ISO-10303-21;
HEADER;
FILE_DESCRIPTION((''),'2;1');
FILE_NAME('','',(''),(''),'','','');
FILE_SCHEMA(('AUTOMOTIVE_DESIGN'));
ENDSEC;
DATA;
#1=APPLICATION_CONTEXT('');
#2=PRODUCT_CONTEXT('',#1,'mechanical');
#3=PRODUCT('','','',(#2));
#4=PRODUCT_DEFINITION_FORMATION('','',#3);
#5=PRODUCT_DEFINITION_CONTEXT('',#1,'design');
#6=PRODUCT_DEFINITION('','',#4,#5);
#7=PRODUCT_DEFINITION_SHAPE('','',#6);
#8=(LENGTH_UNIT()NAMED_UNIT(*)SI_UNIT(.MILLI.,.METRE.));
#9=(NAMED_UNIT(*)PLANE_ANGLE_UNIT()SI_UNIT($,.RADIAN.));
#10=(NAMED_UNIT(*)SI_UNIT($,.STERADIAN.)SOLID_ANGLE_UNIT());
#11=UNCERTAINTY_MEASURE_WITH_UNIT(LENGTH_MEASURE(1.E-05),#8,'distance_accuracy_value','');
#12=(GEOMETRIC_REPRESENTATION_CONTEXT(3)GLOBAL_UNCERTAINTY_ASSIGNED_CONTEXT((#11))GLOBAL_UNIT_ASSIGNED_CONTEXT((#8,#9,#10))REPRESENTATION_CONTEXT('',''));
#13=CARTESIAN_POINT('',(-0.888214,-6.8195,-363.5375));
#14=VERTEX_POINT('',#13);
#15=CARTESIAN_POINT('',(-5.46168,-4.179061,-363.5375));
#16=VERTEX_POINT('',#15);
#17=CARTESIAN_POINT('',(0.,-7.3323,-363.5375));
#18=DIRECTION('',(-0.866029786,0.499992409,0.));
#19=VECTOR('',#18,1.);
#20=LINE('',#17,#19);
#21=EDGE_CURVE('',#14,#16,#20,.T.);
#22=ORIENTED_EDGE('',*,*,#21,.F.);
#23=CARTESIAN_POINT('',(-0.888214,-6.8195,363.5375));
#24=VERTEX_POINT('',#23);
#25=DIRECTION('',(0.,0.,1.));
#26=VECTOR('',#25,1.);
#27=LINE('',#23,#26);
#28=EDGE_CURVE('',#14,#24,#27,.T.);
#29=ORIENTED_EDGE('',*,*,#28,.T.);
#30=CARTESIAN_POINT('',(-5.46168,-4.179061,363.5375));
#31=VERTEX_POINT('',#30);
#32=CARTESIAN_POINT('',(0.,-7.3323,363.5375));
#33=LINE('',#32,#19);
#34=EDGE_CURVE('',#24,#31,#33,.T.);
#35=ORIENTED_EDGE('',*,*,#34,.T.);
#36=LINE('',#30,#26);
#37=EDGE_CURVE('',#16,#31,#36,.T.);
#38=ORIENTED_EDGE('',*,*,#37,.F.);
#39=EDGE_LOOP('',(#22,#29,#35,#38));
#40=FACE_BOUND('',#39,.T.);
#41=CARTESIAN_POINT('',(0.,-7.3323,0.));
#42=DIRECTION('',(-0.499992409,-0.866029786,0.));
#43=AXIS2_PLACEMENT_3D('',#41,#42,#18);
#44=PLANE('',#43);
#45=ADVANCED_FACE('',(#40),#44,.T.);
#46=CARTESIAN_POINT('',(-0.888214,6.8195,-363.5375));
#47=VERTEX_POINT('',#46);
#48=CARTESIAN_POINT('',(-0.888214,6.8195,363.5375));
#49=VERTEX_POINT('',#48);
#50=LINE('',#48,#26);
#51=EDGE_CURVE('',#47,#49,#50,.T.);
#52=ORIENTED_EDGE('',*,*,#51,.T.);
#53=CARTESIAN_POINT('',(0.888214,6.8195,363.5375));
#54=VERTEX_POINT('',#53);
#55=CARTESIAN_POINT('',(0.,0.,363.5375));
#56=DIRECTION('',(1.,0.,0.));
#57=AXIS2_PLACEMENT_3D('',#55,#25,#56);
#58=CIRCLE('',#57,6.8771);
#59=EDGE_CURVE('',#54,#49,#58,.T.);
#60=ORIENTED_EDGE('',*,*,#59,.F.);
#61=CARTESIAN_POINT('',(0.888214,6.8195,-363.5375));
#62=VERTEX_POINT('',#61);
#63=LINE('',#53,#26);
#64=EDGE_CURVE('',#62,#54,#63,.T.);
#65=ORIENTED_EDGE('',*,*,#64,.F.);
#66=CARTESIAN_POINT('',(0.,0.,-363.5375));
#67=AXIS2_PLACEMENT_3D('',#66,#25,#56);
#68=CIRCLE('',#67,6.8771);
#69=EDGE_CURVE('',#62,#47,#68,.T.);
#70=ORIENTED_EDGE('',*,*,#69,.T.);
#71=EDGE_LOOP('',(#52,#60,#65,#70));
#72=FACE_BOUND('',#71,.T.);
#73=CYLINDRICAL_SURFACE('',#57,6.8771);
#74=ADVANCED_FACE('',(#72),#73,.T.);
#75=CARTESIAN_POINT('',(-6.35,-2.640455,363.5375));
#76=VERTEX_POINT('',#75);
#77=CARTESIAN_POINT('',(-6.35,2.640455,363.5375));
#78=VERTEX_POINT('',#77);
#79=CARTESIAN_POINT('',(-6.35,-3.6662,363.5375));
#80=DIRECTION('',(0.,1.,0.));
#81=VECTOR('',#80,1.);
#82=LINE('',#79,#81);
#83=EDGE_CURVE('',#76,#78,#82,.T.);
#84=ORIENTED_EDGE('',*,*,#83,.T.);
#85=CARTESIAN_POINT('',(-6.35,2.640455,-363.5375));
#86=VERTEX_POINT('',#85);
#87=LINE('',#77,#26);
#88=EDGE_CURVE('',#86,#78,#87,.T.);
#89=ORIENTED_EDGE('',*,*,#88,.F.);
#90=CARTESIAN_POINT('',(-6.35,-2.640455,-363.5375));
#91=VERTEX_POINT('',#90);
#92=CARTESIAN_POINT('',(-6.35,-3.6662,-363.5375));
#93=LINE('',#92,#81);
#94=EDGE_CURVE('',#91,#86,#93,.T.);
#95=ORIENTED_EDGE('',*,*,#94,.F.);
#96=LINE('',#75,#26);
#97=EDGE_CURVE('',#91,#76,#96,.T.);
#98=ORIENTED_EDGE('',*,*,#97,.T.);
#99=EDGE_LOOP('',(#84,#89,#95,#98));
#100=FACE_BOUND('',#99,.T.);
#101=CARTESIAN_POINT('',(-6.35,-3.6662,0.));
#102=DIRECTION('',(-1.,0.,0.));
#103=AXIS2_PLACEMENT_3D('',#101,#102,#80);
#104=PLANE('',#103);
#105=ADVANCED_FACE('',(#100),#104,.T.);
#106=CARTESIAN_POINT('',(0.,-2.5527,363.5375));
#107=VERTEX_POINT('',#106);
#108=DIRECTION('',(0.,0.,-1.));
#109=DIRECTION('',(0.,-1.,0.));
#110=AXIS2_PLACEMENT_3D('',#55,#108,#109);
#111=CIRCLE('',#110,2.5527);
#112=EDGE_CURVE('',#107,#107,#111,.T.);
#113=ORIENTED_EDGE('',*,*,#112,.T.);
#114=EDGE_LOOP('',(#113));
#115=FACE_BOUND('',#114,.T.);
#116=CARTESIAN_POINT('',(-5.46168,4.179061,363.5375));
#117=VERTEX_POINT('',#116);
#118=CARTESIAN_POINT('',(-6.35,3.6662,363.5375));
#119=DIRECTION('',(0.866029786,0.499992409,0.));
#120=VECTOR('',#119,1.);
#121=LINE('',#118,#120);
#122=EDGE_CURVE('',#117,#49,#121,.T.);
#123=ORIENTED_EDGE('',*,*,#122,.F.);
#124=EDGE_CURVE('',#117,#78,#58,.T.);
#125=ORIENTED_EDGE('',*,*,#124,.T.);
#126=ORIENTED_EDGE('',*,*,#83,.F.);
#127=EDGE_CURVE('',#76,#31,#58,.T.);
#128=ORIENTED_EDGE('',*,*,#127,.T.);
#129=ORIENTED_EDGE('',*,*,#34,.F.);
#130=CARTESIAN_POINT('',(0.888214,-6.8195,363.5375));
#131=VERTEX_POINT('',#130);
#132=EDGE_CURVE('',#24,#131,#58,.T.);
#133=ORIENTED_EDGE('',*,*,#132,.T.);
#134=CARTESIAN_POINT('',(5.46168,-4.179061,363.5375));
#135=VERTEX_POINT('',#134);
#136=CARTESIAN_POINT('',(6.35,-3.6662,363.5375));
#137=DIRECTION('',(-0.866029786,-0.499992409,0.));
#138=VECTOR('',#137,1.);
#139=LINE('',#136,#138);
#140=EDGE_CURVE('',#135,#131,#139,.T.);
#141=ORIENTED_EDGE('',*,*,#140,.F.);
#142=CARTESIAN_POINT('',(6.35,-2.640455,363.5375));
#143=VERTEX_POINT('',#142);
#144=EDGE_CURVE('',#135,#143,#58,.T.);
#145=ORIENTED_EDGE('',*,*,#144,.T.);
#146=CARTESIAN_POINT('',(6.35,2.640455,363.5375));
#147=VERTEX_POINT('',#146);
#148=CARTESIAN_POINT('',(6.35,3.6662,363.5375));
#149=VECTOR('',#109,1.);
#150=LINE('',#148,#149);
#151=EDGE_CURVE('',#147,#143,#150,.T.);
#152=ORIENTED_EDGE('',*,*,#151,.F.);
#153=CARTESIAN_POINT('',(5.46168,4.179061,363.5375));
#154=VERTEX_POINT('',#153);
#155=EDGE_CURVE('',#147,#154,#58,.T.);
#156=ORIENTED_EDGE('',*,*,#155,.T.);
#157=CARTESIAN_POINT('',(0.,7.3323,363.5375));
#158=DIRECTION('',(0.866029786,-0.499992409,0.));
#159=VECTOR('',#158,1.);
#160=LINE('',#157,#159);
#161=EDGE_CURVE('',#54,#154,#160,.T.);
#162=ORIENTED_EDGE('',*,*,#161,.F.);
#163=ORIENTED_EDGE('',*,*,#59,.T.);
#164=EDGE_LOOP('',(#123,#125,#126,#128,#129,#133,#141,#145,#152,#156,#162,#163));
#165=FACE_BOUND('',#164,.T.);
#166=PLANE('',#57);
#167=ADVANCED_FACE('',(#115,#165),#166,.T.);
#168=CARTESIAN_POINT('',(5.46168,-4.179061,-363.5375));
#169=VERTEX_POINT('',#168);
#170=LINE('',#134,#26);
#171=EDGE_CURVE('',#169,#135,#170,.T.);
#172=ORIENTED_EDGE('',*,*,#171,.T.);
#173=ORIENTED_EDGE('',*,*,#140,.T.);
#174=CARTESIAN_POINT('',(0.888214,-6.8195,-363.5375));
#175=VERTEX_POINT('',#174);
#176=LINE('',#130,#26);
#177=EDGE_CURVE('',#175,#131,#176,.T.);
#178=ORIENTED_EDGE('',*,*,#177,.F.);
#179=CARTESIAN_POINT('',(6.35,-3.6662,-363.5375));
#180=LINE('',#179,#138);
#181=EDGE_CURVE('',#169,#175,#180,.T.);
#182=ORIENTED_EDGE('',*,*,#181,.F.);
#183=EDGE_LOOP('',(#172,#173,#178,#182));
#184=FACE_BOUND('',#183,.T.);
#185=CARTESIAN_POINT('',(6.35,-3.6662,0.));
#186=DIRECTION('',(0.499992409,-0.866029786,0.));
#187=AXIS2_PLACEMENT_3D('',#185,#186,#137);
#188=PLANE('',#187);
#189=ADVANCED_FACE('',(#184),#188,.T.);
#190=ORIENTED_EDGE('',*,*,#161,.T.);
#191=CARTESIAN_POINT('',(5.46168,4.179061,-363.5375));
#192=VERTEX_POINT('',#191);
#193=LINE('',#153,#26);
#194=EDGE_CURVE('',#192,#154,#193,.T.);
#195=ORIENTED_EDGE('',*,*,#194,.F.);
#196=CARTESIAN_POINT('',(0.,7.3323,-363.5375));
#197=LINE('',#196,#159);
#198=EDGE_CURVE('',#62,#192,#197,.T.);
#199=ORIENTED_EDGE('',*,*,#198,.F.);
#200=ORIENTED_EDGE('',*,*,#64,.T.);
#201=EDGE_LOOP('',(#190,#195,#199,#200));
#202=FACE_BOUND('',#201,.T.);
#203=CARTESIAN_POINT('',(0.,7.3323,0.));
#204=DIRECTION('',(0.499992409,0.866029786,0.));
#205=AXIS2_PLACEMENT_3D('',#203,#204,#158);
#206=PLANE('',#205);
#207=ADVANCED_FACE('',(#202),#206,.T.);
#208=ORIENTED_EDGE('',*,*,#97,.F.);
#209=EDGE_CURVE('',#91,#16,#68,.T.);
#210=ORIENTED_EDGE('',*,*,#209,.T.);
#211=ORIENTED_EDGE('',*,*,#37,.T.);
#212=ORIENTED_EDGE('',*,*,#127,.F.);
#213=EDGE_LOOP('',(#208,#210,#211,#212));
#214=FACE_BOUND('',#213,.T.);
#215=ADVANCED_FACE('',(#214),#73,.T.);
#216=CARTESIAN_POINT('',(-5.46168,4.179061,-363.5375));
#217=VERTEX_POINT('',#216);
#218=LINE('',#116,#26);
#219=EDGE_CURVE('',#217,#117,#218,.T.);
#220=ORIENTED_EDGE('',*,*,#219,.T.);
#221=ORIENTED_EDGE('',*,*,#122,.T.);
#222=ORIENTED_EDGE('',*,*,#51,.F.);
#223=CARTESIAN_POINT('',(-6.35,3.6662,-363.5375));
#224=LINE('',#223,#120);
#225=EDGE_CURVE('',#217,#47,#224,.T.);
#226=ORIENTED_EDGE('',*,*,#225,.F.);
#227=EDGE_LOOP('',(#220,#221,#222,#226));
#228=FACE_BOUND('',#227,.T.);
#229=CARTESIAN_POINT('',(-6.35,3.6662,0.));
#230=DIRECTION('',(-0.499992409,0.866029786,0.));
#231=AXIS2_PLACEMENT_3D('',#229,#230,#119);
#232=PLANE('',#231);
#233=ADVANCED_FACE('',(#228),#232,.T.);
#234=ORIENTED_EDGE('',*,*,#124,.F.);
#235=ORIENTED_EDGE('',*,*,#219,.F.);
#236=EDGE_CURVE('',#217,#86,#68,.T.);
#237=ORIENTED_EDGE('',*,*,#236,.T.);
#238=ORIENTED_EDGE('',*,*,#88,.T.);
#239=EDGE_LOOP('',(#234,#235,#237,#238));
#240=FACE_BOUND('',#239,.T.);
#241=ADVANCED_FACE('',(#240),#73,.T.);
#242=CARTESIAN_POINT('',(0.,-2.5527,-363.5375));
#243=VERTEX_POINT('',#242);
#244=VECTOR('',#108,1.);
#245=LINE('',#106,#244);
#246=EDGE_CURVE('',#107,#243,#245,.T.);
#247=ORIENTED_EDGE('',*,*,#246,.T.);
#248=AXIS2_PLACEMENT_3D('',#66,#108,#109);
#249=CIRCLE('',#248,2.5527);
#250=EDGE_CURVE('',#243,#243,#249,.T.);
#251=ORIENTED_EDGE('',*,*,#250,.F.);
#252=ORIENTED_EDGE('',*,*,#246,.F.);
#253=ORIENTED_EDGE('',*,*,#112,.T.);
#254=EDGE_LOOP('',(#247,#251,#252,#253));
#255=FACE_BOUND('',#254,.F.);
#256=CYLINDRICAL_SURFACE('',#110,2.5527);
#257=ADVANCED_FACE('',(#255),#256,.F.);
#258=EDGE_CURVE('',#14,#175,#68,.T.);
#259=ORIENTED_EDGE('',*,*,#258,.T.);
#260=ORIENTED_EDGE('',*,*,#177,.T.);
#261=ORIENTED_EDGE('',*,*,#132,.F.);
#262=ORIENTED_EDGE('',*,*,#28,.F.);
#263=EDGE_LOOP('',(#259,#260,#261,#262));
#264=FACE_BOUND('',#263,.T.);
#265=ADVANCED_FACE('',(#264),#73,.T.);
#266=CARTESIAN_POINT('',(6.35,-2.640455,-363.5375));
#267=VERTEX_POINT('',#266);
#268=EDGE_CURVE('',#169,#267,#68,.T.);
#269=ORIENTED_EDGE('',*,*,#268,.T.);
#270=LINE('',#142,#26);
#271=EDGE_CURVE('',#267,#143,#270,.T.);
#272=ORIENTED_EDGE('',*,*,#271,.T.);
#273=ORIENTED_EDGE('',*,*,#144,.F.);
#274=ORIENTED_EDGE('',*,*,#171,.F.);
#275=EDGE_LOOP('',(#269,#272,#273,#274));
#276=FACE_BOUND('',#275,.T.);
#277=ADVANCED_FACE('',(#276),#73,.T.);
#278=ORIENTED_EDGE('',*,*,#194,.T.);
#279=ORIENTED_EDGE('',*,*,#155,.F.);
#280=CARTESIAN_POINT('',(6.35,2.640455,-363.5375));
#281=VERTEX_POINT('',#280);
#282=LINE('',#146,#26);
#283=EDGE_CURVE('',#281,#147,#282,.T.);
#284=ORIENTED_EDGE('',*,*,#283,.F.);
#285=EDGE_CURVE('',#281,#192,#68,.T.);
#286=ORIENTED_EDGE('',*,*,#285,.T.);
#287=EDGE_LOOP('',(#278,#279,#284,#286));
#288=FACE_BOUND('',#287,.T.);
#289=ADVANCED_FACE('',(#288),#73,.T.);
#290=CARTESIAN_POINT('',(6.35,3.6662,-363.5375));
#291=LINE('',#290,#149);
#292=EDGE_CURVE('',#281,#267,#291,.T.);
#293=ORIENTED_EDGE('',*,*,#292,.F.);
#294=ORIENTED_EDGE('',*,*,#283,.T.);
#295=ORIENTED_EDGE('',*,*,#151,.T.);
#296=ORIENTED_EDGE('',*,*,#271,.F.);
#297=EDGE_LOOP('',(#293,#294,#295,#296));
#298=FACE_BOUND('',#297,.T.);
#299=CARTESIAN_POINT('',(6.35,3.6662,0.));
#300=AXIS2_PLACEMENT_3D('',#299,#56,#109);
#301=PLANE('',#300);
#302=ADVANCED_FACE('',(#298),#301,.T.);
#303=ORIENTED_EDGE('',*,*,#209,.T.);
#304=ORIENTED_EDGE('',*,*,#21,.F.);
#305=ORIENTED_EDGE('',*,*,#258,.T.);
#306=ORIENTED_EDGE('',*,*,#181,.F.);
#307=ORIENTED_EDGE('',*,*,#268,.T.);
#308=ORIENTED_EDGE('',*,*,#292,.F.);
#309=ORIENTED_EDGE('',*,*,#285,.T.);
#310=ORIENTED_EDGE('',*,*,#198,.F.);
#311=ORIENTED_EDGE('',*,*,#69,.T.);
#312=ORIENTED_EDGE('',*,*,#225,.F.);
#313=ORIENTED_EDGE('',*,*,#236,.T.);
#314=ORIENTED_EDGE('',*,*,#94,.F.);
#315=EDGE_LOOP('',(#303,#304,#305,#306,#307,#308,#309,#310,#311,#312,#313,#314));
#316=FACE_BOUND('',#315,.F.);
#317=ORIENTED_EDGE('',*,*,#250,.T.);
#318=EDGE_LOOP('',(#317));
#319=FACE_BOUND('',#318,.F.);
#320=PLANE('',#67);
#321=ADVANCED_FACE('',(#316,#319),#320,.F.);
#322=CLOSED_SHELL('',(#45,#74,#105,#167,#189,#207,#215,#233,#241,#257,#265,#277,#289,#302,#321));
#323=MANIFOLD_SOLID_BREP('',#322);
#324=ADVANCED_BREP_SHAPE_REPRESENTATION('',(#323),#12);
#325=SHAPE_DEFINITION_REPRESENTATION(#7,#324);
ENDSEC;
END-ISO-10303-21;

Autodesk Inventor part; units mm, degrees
ref_plane "YZ Plane" through (0, 0, 0) normal (1, 0, 0) x (0, 1, 0)
ref_plane "XZ Plane" through (0, 0, 0) normal (0, 1, 0) x (-1, 0, 0)
ref_plane "XY Plane" through (0, 0, 0) normal (0, 0, 1) x (1, 0, 0)
sketch "Sketch1" plane through (0, 0, 0) normal (0, 0, 1) x (1, 0, 0)
  line L0 (-6.35, -3.6662) -> (-6.35, 3.6662)
  line L1 (-6.35, 3.6662) -> (0, 7.3323)
  line L2 (0, 7.3323) -> (6.35, 3.6662)
  line L3 (6.35, 3.6662) -> (6.35, -3.6662)
  line L4 (6.35, -3.6662) -> (0, -7.3323)
  line L5 (0, -7.3323) -> (-6.35, -3.6662)
  point P0 (0, 0)
  point P1 (0, 0)
  dimension "Size" = 12.7
extrude "Extrusion1" add sketch "Sketch1" along normal mid plane 727.075
sketch "Sketch3" plane through (0, 0, 363.5375) normal (0, 0, 1) x (1, 0, 0)
  line L0 (-6.35, 3.6662) -> (0, 7.3323) construction
  line L1 (0, 7.3323) -> (6.35, 3.6662) construction
  line L2 (6.35, 3.6662) -> (6.35, -3.6662) construction
  line L3 (6.35, -3.6662) -> (0, -7.3323) construction
  line L4 (0, -7.3323) -> (-6.35, -3.6662) construction
  line L5 (-6.35, -3.6662) -> (-6.35, 3.6662) construction
  point P0 (0, 0)
hole "Hole1" at (0, 0, 363.5375) direction (0, 0, -1) diameter 5.1054 end through all
sketch "Sketch4" plane through (0, 0, 363.5375) normal (0, 0, 1) x (1, 0, 0)
  circle A0 centre (0, 0) radius 2.5527 construction
  line L0 (-6.35, 3.6662) -> (0, 7.3323) construction
  line L1 (0, 7.3323) -> (6.35, 3.6662) construction
  line L2 (6.35, 3.6662) -> (6.35, -3.6662) construction
  line L3 (6.35, -3.6662) -> (0, -7.3323) construction
  line L4 (0, -7.3323) -> (-6.35, -3.6662) construction
  line L5 (-6.35, -3.6662) -> (-6.35, 3.6662) construction
  circle A1 centre (0, 0) radius 6.8771
  circle A2 centre (0, 0) radius 8.89
  dimension "thunder" = 13.7541
  dimension "d16" = 17.78
extrude "Extrusion3" cut sketch "Sketch4" against normal through all
equation "\"bearing\" = 25.4"
properties part number "GI - 002" material "Aluminum 6061"
